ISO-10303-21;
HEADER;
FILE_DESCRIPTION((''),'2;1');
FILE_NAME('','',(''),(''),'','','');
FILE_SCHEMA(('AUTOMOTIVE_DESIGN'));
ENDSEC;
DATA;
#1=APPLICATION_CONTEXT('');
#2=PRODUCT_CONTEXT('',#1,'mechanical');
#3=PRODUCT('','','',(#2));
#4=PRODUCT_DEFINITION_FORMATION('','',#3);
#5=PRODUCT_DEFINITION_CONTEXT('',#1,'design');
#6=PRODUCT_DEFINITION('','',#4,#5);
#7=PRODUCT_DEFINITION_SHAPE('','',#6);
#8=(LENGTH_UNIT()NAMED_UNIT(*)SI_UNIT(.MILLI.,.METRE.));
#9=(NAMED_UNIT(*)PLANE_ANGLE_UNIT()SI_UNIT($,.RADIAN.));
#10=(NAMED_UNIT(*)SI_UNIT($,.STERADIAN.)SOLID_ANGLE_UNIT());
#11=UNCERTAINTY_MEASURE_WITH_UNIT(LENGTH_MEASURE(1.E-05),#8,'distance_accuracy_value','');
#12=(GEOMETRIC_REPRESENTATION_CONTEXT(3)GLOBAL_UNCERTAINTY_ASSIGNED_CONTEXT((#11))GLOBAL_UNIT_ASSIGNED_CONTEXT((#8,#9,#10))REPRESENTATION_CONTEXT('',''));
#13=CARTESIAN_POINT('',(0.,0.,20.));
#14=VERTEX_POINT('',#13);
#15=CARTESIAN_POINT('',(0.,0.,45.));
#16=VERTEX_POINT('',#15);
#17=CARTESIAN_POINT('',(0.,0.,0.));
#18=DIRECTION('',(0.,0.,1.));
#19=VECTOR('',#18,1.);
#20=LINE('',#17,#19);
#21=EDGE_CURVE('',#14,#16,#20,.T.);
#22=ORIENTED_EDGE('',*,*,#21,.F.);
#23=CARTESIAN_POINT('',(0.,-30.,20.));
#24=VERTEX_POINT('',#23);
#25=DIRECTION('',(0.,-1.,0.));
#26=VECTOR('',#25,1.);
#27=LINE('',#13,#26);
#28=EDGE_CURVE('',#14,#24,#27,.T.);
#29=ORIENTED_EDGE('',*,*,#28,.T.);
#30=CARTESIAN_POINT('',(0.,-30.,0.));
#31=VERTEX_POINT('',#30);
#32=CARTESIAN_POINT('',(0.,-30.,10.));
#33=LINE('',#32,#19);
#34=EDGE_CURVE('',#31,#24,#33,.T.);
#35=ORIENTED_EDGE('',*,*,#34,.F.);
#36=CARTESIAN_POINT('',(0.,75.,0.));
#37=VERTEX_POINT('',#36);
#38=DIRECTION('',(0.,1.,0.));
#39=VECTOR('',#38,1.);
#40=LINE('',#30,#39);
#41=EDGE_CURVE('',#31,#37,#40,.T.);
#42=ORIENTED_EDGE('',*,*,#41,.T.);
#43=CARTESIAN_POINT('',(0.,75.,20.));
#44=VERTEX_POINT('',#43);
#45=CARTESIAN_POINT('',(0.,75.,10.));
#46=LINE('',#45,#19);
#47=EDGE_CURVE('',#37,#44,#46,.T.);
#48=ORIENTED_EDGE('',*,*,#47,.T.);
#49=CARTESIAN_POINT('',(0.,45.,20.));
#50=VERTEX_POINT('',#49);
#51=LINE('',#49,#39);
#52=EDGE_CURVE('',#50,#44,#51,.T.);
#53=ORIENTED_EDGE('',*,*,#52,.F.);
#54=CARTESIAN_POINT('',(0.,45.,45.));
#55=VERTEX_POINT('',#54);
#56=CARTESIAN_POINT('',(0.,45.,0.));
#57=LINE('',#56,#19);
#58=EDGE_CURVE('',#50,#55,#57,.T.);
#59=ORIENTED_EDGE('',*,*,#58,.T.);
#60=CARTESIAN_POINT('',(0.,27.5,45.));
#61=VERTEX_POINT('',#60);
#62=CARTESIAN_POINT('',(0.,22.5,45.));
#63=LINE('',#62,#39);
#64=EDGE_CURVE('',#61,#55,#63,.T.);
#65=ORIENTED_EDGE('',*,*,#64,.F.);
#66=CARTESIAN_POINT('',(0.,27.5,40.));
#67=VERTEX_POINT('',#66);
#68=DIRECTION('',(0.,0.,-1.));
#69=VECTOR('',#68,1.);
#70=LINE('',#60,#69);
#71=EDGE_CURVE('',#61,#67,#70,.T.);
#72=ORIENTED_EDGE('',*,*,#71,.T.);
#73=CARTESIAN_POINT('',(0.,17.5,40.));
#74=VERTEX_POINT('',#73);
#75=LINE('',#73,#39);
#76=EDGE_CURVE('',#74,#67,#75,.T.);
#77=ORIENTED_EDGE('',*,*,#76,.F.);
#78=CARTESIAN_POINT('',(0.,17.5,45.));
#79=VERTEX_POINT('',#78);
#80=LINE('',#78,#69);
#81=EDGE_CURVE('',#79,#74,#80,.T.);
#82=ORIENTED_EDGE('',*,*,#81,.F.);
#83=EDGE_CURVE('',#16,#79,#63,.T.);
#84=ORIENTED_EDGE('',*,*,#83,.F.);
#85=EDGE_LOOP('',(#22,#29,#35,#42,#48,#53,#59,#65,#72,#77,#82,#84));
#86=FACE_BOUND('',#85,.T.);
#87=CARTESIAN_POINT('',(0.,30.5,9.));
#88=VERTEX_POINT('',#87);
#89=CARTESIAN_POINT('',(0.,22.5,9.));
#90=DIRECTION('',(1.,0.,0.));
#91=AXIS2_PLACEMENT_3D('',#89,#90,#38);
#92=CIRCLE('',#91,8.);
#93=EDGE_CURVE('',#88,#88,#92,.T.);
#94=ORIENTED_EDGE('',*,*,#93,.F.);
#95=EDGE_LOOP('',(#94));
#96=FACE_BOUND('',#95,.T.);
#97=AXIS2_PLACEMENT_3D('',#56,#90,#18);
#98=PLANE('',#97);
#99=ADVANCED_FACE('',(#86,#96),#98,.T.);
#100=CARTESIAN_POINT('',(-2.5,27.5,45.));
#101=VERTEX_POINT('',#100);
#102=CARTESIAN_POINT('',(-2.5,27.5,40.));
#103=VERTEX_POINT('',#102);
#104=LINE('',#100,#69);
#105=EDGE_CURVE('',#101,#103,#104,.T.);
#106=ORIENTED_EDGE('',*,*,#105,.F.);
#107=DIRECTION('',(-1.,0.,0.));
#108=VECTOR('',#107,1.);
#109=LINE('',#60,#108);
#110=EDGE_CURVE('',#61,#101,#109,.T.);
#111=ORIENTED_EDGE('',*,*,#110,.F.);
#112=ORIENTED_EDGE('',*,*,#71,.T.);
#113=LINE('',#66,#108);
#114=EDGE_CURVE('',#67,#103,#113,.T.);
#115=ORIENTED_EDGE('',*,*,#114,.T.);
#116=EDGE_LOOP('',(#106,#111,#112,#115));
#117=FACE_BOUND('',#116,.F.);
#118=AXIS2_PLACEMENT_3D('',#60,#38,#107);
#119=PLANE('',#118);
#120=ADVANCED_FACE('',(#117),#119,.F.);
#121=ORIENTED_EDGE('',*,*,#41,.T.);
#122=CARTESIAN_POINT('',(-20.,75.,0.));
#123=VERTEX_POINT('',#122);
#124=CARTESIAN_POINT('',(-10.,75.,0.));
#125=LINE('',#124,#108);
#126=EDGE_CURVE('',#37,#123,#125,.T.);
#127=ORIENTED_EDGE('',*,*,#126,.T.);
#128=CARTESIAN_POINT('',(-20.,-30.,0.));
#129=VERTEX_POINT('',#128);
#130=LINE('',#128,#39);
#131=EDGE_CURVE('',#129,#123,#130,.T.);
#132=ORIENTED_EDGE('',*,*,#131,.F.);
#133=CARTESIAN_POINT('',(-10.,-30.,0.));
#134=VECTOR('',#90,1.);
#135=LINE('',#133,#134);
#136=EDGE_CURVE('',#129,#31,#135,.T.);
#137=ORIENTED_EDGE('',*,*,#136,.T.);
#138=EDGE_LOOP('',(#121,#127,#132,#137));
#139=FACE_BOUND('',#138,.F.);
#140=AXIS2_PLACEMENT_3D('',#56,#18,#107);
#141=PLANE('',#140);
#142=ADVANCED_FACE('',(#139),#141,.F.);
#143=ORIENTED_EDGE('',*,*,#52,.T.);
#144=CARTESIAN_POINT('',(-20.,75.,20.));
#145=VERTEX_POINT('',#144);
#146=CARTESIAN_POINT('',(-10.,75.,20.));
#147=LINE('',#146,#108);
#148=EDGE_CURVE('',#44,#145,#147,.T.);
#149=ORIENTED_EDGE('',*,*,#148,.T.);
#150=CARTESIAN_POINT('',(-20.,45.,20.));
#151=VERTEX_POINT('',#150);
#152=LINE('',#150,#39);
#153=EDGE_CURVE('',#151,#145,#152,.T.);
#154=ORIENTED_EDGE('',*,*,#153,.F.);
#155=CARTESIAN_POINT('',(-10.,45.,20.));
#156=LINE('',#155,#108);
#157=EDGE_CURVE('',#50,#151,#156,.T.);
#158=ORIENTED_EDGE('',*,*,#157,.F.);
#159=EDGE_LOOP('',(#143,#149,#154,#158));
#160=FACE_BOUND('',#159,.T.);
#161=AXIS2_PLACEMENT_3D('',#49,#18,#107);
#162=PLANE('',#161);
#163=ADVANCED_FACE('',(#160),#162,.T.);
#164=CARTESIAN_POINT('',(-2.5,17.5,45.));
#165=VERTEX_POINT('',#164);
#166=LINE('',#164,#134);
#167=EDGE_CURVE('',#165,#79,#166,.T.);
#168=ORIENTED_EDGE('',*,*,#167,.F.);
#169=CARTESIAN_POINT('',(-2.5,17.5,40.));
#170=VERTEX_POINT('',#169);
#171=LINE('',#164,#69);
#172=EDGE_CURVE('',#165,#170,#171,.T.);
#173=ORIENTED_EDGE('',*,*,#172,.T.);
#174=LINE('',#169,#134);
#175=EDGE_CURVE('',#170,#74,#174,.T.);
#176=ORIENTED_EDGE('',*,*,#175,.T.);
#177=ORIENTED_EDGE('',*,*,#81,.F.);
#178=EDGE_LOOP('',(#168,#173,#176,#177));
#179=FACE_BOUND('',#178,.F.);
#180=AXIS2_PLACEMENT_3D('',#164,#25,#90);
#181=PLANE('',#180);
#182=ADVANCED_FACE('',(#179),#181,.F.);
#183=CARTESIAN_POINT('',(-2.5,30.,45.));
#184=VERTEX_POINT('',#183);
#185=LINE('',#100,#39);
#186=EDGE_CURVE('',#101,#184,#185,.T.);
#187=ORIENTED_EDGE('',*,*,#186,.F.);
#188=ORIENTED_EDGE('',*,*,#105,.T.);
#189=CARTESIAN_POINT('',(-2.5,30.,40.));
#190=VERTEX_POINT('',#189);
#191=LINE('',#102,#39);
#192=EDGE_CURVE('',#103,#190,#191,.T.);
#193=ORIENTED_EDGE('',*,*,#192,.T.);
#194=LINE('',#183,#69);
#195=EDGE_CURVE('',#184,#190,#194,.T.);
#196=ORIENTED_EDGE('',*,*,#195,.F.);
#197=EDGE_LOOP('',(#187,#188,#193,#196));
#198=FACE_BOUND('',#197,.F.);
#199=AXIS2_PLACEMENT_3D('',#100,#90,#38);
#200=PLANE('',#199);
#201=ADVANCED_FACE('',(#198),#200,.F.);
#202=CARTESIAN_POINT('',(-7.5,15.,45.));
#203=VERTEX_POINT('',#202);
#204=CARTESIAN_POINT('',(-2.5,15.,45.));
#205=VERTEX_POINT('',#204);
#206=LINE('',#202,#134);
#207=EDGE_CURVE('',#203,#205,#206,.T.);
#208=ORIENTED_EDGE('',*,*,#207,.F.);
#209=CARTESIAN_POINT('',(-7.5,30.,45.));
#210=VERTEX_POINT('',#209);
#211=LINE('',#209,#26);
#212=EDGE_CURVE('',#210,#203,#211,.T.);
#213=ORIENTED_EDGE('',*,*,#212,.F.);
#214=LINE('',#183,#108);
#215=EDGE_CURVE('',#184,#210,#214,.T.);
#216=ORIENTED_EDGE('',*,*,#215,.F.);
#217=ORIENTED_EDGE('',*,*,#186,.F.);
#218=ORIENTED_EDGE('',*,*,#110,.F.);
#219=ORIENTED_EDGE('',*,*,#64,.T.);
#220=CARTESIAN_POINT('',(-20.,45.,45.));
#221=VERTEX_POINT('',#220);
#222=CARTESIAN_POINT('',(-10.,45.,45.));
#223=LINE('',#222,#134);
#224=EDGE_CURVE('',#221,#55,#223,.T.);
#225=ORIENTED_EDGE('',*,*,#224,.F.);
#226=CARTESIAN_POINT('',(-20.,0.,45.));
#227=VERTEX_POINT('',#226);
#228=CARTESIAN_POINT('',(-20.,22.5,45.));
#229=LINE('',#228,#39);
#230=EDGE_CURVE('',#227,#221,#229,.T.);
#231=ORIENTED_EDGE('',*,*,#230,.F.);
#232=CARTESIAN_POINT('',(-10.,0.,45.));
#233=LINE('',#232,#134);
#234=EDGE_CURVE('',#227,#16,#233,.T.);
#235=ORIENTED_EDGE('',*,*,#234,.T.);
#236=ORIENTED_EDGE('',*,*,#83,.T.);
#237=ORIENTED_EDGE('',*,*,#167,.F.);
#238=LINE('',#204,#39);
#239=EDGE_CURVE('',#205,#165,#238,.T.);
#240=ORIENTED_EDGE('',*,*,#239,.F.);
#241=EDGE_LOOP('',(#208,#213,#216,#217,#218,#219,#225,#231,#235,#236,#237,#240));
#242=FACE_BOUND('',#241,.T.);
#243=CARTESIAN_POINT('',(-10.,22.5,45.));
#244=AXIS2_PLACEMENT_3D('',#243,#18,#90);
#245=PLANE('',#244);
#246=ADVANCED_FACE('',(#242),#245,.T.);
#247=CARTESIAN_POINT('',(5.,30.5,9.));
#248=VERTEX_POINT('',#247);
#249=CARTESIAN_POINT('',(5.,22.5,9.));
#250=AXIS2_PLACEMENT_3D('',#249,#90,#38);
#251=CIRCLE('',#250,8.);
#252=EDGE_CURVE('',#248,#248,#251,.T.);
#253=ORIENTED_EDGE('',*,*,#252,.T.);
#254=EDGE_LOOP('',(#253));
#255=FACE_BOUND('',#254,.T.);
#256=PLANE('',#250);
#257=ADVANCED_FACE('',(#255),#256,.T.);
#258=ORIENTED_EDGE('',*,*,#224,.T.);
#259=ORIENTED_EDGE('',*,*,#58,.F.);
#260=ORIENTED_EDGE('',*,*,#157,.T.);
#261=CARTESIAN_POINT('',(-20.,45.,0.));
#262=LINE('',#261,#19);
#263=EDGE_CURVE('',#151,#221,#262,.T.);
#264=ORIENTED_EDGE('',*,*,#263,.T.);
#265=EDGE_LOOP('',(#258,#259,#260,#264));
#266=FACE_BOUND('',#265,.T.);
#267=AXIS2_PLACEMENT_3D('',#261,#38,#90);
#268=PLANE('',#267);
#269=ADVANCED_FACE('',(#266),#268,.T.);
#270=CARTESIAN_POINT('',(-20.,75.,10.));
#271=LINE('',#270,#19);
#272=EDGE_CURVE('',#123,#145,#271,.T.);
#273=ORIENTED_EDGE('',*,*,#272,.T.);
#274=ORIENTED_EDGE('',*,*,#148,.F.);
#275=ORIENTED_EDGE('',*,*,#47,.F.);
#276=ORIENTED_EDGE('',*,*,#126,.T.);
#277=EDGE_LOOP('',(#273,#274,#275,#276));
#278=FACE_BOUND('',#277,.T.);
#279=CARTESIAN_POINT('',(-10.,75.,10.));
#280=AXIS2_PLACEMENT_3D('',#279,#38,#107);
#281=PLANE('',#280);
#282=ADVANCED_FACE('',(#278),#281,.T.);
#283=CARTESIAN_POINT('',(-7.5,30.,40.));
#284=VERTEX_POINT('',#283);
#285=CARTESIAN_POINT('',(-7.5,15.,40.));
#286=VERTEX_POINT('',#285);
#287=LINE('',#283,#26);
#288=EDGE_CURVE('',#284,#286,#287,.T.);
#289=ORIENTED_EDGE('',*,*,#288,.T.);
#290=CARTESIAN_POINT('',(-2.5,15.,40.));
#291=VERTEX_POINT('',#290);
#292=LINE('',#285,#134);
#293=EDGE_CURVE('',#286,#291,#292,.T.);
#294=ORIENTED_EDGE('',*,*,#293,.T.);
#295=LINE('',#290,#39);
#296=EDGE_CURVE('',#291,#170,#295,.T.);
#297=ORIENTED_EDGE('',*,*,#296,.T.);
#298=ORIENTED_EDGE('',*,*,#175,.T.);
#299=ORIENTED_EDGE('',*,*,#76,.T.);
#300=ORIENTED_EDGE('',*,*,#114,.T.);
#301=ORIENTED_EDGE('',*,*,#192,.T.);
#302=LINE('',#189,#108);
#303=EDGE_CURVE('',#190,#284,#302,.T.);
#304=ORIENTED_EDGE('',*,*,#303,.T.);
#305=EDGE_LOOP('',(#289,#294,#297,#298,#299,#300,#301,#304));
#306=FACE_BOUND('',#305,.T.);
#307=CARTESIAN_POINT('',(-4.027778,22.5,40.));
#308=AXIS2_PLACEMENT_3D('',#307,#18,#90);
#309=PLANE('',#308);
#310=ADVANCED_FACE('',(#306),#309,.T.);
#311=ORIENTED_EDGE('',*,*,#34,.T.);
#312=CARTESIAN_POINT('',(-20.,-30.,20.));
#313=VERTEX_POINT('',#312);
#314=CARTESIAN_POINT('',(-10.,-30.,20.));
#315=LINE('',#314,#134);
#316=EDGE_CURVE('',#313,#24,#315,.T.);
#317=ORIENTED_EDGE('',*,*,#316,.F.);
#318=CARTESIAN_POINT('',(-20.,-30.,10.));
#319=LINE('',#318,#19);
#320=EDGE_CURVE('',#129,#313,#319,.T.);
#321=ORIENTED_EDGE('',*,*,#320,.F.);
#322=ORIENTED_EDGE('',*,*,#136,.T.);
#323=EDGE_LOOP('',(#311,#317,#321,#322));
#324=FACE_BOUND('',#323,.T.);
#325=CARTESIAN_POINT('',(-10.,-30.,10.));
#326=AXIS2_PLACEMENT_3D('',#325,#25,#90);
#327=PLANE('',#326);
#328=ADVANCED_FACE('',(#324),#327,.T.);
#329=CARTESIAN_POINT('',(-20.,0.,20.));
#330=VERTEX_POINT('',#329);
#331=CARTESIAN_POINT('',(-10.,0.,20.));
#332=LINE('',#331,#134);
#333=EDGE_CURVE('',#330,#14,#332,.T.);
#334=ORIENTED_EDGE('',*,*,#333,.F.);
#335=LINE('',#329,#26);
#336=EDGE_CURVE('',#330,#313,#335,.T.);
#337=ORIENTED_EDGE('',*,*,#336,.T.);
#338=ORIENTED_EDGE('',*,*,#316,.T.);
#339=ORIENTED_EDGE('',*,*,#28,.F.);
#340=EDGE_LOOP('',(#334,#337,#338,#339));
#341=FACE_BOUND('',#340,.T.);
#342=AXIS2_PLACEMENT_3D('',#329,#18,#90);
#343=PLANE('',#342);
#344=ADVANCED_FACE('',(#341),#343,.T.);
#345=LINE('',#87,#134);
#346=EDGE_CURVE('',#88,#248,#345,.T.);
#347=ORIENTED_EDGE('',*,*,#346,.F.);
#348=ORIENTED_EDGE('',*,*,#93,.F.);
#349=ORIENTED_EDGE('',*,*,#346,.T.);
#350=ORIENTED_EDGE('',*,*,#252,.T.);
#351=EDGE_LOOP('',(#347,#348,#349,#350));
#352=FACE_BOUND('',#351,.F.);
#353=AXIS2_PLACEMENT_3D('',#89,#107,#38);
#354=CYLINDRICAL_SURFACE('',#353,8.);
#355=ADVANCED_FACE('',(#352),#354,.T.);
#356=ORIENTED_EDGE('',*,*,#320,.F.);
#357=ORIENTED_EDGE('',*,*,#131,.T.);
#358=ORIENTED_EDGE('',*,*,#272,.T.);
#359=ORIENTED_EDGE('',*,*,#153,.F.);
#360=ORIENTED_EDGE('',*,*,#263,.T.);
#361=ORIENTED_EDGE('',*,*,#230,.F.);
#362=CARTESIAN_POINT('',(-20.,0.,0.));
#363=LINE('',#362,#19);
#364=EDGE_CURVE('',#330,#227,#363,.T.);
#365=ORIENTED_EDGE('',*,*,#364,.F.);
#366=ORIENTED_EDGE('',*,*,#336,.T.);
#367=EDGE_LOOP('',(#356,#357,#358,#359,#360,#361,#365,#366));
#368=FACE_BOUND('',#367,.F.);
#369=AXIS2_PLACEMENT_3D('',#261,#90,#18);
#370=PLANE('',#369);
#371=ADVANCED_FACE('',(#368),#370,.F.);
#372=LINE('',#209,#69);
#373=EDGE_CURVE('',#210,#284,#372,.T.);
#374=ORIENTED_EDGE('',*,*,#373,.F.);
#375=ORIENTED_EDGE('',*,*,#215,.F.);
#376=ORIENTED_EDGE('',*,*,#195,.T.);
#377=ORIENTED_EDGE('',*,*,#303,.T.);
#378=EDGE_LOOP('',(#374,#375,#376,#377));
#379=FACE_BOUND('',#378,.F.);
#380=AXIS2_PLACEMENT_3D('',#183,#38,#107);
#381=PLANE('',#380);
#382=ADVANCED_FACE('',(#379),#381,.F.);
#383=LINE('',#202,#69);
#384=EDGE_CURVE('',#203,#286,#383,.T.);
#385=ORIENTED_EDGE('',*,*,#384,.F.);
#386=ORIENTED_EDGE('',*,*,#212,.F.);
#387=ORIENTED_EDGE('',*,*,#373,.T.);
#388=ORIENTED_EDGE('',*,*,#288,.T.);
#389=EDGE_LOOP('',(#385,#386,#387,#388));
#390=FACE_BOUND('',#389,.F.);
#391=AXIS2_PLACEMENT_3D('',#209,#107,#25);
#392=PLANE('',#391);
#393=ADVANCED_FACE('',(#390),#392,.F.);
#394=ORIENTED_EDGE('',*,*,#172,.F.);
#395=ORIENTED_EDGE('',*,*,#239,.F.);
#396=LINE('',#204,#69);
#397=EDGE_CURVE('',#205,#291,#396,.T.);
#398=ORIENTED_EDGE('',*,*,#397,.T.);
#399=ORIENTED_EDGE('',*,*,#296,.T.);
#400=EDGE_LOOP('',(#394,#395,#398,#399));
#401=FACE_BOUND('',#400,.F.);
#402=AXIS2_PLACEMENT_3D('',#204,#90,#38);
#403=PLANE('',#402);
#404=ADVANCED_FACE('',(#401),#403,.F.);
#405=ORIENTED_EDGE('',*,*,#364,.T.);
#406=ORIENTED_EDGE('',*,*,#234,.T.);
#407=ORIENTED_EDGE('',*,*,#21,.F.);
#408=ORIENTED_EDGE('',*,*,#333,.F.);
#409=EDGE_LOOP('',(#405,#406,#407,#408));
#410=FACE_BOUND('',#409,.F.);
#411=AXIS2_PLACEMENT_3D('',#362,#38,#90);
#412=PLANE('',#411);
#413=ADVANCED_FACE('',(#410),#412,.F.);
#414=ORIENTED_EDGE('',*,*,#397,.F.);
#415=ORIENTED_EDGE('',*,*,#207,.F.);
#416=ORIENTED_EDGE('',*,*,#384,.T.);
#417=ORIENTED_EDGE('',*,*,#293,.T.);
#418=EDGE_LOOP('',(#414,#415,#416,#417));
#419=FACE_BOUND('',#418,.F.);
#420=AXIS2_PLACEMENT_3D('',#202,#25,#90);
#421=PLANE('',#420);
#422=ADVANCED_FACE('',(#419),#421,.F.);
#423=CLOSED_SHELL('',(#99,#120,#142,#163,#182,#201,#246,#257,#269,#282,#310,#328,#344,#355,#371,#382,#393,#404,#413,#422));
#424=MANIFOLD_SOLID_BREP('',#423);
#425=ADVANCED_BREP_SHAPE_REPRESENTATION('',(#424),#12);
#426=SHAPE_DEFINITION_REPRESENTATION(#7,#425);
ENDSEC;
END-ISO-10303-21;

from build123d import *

# Parameters (mm, degrees)
F0_W     = 20
F0_H     = 45
F1_DEPTH = 45
F3_DEPTH = 5
F4_R     = 8
F5_DEPTH = 5
F6_W     = 20
F6_H     = 20
F7_DEPTH = 30
F8_W     = 20
F8_H     = 20
F9_DEPTH = 30


with BuildPart() as f1:
    # F0 (on Top) → F1 (new body)
    with BuildSketch(Plane.XY):
        with Locations((-10, 22.5)):
            Rectangle(F0_W, F0_H)
    extrude(amount=F1_DEPTH)

    # F2 (on face) → F3 (cut)
    with BuildSketch(Plane.XY.offset(45)):
        Polygon((0, 17.5), (0, 27.5), (-2.5, 27.5), (-2.5, 30), (-7.5, 30), (-7.5, 15), (-2.5, 15), (-2.5, 17.5), align=None)
    extrude(amount=-F3_DEPTH, mode=Mode.SUBTRACT)

    # F4 (on face) → F5 (join)
    with BuildSketch(Plane.YZ):
        with Locations((22.5, 9)):
            Circle(F4_R)
    extrude(amount=F5_DEPTH)

    # F6 (on face) → F7 (join)
    with BuildSketch(Plane.XZ):
        with Locations((-10, 10)):
            Rectangle(F6_W, F6_H)
    extrude(amount=F7_DEPTH)

    # F8 (on face) → F9 (join)
    with BuildSketch(Plane(origin=(0, 45, 0), x_dir=(-1, 0, 0), z_dir=(0, 1, 0))):
        with Locations((10, 10)):
            Rectangle(F8_W, F8_H)
    extrude(amount=F9_DEPTH)


solid = f1.part
